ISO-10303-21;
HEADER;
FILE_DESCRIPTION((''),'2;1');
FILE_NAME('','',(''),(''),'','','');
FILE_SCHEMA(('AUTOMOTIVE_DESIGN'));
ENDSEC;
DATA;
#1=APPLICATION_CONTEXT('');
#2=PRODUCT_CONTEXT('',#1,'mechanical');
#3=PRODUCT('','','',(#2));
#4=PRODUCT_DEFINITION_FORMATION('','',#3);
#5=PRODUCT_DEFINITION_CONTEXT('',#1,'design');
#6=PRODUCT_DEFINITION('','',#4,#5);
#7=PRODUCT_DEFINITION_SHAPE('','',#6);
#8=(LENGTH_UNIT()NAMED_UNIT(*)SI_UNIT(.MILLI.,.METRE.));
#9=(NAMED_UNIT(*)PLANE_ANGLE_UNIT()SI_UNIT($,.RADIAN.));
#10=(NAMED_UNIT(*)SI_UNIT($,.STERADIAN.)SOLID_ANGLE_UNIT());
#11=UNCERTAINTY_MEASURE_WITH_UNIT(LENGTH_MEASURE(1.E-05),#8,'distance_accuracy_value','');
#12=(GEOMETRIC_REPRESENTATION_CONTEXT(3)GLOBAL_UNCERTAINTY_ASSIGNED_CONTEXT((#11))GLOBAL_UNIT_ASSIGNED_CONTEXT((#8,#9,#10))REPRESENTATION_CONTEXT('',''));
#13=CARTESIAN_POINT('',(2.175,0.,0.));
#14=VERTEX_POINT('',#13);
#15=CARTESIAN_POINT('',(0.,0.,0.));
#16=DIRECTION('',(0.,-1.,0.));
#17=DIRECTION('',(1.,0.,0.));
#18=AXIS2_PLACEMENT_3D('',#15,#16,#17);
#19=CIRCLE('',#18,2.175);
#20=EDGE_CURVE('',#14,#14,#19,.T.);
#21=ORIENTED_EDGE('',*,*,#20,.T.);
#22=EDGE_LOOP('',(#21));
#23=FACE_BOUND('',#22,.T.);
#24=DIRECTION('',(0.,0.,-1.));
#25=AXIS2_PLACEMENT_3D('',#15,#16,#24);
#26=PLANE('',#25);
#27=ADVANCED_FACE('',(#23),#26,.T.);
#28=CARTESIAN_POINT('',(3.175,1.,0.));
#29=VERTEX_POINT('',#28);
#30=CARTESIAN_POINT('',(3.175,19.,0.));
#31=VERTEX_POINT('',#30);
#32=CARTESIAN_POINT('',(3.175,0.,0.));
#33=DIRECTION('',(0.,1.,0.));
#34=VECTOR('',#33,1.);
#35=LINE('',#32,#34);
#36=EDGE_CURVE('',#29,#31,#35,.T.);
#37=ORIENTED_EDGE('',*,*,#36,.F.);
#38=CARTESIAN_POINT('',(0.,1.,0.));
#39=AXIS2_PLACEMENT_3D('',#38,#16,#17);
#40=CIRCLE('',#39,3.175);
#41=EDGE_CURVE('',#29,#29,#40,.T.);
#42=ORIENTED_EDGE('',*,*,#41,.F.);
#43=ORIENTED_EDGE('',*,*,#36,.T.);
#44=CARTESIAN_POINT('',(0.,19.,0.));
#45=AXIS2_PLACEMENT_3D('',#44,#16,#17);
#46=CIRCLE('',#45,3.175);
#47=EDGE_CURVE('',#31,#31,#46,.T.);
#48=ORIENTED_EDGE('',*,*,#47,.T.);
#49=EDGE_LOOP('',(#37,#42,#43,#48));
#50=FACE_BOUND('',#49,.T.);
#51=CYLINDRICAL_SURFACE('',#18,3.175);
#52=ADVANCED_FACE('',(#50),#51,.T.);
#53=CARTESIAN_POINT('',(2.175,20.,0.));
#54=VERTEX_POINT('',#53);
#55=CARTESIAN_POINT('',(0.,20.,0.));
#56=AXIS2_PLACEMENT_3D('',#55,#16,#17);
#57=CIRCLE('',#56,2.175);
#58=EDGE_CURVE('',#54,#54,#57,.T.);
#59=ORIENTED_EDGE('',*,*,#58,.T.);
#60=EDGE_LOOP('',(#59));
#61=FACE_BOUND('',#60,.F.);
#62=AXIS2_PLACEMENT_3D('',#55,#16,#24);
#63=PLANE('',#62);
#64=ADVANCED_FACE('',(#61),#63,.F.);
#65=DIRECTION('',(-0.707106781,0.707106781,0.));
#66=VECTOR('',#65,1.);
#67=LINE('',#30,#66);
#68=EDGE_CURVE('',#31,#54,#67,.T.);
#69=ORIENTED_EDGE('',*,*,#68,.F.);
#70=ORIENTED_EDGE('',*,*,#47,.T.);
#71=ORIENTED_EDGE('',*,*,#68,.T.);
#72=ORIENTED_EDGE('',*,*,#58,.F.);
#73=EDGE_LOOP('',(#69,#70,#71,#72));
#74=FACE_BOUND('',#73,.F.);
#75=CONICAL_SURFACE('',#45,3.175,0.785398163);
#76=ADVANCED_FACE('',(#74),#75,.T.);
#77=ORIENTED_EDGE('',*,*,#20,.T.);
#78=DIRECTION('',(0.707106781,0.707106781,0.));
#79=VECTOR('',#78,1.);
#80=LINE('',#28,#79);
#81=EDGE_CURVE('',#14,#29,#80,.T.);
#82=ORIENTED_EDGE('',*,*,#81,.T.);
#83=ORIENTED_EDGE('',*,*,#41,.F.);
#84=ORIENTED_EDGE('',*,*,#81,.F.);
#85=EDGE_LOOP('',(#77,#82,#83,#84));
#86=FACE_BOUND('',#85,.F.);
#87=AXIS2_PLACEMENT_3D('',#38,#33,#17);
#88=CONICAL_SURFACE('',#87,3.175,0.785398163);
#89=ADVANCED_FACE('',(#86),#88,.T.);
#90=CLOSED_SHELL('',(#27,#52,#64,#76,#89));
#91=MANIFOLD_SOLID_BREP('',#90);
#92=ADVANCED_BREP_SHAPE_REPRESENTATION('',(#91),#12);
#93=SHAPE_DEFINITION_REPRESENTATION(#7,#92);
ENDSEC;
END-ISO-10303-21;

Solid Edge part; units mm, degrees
sketch "Sketch1" plane through (0, 0, 0) normal (0, -1, 0) x (1, 0, 0)
  circle A0 centre (0, 0) radius 3.175
extrude "Protrusion1" add sketch "Sketch1" against normal blind 20
chamfer "Chamfer_1" distance 1 angle 45 2 edges at (-3.175, 20, 0) (-3.175, 0, 0) measured on face at (-2.0532, 0, 2.1802)
